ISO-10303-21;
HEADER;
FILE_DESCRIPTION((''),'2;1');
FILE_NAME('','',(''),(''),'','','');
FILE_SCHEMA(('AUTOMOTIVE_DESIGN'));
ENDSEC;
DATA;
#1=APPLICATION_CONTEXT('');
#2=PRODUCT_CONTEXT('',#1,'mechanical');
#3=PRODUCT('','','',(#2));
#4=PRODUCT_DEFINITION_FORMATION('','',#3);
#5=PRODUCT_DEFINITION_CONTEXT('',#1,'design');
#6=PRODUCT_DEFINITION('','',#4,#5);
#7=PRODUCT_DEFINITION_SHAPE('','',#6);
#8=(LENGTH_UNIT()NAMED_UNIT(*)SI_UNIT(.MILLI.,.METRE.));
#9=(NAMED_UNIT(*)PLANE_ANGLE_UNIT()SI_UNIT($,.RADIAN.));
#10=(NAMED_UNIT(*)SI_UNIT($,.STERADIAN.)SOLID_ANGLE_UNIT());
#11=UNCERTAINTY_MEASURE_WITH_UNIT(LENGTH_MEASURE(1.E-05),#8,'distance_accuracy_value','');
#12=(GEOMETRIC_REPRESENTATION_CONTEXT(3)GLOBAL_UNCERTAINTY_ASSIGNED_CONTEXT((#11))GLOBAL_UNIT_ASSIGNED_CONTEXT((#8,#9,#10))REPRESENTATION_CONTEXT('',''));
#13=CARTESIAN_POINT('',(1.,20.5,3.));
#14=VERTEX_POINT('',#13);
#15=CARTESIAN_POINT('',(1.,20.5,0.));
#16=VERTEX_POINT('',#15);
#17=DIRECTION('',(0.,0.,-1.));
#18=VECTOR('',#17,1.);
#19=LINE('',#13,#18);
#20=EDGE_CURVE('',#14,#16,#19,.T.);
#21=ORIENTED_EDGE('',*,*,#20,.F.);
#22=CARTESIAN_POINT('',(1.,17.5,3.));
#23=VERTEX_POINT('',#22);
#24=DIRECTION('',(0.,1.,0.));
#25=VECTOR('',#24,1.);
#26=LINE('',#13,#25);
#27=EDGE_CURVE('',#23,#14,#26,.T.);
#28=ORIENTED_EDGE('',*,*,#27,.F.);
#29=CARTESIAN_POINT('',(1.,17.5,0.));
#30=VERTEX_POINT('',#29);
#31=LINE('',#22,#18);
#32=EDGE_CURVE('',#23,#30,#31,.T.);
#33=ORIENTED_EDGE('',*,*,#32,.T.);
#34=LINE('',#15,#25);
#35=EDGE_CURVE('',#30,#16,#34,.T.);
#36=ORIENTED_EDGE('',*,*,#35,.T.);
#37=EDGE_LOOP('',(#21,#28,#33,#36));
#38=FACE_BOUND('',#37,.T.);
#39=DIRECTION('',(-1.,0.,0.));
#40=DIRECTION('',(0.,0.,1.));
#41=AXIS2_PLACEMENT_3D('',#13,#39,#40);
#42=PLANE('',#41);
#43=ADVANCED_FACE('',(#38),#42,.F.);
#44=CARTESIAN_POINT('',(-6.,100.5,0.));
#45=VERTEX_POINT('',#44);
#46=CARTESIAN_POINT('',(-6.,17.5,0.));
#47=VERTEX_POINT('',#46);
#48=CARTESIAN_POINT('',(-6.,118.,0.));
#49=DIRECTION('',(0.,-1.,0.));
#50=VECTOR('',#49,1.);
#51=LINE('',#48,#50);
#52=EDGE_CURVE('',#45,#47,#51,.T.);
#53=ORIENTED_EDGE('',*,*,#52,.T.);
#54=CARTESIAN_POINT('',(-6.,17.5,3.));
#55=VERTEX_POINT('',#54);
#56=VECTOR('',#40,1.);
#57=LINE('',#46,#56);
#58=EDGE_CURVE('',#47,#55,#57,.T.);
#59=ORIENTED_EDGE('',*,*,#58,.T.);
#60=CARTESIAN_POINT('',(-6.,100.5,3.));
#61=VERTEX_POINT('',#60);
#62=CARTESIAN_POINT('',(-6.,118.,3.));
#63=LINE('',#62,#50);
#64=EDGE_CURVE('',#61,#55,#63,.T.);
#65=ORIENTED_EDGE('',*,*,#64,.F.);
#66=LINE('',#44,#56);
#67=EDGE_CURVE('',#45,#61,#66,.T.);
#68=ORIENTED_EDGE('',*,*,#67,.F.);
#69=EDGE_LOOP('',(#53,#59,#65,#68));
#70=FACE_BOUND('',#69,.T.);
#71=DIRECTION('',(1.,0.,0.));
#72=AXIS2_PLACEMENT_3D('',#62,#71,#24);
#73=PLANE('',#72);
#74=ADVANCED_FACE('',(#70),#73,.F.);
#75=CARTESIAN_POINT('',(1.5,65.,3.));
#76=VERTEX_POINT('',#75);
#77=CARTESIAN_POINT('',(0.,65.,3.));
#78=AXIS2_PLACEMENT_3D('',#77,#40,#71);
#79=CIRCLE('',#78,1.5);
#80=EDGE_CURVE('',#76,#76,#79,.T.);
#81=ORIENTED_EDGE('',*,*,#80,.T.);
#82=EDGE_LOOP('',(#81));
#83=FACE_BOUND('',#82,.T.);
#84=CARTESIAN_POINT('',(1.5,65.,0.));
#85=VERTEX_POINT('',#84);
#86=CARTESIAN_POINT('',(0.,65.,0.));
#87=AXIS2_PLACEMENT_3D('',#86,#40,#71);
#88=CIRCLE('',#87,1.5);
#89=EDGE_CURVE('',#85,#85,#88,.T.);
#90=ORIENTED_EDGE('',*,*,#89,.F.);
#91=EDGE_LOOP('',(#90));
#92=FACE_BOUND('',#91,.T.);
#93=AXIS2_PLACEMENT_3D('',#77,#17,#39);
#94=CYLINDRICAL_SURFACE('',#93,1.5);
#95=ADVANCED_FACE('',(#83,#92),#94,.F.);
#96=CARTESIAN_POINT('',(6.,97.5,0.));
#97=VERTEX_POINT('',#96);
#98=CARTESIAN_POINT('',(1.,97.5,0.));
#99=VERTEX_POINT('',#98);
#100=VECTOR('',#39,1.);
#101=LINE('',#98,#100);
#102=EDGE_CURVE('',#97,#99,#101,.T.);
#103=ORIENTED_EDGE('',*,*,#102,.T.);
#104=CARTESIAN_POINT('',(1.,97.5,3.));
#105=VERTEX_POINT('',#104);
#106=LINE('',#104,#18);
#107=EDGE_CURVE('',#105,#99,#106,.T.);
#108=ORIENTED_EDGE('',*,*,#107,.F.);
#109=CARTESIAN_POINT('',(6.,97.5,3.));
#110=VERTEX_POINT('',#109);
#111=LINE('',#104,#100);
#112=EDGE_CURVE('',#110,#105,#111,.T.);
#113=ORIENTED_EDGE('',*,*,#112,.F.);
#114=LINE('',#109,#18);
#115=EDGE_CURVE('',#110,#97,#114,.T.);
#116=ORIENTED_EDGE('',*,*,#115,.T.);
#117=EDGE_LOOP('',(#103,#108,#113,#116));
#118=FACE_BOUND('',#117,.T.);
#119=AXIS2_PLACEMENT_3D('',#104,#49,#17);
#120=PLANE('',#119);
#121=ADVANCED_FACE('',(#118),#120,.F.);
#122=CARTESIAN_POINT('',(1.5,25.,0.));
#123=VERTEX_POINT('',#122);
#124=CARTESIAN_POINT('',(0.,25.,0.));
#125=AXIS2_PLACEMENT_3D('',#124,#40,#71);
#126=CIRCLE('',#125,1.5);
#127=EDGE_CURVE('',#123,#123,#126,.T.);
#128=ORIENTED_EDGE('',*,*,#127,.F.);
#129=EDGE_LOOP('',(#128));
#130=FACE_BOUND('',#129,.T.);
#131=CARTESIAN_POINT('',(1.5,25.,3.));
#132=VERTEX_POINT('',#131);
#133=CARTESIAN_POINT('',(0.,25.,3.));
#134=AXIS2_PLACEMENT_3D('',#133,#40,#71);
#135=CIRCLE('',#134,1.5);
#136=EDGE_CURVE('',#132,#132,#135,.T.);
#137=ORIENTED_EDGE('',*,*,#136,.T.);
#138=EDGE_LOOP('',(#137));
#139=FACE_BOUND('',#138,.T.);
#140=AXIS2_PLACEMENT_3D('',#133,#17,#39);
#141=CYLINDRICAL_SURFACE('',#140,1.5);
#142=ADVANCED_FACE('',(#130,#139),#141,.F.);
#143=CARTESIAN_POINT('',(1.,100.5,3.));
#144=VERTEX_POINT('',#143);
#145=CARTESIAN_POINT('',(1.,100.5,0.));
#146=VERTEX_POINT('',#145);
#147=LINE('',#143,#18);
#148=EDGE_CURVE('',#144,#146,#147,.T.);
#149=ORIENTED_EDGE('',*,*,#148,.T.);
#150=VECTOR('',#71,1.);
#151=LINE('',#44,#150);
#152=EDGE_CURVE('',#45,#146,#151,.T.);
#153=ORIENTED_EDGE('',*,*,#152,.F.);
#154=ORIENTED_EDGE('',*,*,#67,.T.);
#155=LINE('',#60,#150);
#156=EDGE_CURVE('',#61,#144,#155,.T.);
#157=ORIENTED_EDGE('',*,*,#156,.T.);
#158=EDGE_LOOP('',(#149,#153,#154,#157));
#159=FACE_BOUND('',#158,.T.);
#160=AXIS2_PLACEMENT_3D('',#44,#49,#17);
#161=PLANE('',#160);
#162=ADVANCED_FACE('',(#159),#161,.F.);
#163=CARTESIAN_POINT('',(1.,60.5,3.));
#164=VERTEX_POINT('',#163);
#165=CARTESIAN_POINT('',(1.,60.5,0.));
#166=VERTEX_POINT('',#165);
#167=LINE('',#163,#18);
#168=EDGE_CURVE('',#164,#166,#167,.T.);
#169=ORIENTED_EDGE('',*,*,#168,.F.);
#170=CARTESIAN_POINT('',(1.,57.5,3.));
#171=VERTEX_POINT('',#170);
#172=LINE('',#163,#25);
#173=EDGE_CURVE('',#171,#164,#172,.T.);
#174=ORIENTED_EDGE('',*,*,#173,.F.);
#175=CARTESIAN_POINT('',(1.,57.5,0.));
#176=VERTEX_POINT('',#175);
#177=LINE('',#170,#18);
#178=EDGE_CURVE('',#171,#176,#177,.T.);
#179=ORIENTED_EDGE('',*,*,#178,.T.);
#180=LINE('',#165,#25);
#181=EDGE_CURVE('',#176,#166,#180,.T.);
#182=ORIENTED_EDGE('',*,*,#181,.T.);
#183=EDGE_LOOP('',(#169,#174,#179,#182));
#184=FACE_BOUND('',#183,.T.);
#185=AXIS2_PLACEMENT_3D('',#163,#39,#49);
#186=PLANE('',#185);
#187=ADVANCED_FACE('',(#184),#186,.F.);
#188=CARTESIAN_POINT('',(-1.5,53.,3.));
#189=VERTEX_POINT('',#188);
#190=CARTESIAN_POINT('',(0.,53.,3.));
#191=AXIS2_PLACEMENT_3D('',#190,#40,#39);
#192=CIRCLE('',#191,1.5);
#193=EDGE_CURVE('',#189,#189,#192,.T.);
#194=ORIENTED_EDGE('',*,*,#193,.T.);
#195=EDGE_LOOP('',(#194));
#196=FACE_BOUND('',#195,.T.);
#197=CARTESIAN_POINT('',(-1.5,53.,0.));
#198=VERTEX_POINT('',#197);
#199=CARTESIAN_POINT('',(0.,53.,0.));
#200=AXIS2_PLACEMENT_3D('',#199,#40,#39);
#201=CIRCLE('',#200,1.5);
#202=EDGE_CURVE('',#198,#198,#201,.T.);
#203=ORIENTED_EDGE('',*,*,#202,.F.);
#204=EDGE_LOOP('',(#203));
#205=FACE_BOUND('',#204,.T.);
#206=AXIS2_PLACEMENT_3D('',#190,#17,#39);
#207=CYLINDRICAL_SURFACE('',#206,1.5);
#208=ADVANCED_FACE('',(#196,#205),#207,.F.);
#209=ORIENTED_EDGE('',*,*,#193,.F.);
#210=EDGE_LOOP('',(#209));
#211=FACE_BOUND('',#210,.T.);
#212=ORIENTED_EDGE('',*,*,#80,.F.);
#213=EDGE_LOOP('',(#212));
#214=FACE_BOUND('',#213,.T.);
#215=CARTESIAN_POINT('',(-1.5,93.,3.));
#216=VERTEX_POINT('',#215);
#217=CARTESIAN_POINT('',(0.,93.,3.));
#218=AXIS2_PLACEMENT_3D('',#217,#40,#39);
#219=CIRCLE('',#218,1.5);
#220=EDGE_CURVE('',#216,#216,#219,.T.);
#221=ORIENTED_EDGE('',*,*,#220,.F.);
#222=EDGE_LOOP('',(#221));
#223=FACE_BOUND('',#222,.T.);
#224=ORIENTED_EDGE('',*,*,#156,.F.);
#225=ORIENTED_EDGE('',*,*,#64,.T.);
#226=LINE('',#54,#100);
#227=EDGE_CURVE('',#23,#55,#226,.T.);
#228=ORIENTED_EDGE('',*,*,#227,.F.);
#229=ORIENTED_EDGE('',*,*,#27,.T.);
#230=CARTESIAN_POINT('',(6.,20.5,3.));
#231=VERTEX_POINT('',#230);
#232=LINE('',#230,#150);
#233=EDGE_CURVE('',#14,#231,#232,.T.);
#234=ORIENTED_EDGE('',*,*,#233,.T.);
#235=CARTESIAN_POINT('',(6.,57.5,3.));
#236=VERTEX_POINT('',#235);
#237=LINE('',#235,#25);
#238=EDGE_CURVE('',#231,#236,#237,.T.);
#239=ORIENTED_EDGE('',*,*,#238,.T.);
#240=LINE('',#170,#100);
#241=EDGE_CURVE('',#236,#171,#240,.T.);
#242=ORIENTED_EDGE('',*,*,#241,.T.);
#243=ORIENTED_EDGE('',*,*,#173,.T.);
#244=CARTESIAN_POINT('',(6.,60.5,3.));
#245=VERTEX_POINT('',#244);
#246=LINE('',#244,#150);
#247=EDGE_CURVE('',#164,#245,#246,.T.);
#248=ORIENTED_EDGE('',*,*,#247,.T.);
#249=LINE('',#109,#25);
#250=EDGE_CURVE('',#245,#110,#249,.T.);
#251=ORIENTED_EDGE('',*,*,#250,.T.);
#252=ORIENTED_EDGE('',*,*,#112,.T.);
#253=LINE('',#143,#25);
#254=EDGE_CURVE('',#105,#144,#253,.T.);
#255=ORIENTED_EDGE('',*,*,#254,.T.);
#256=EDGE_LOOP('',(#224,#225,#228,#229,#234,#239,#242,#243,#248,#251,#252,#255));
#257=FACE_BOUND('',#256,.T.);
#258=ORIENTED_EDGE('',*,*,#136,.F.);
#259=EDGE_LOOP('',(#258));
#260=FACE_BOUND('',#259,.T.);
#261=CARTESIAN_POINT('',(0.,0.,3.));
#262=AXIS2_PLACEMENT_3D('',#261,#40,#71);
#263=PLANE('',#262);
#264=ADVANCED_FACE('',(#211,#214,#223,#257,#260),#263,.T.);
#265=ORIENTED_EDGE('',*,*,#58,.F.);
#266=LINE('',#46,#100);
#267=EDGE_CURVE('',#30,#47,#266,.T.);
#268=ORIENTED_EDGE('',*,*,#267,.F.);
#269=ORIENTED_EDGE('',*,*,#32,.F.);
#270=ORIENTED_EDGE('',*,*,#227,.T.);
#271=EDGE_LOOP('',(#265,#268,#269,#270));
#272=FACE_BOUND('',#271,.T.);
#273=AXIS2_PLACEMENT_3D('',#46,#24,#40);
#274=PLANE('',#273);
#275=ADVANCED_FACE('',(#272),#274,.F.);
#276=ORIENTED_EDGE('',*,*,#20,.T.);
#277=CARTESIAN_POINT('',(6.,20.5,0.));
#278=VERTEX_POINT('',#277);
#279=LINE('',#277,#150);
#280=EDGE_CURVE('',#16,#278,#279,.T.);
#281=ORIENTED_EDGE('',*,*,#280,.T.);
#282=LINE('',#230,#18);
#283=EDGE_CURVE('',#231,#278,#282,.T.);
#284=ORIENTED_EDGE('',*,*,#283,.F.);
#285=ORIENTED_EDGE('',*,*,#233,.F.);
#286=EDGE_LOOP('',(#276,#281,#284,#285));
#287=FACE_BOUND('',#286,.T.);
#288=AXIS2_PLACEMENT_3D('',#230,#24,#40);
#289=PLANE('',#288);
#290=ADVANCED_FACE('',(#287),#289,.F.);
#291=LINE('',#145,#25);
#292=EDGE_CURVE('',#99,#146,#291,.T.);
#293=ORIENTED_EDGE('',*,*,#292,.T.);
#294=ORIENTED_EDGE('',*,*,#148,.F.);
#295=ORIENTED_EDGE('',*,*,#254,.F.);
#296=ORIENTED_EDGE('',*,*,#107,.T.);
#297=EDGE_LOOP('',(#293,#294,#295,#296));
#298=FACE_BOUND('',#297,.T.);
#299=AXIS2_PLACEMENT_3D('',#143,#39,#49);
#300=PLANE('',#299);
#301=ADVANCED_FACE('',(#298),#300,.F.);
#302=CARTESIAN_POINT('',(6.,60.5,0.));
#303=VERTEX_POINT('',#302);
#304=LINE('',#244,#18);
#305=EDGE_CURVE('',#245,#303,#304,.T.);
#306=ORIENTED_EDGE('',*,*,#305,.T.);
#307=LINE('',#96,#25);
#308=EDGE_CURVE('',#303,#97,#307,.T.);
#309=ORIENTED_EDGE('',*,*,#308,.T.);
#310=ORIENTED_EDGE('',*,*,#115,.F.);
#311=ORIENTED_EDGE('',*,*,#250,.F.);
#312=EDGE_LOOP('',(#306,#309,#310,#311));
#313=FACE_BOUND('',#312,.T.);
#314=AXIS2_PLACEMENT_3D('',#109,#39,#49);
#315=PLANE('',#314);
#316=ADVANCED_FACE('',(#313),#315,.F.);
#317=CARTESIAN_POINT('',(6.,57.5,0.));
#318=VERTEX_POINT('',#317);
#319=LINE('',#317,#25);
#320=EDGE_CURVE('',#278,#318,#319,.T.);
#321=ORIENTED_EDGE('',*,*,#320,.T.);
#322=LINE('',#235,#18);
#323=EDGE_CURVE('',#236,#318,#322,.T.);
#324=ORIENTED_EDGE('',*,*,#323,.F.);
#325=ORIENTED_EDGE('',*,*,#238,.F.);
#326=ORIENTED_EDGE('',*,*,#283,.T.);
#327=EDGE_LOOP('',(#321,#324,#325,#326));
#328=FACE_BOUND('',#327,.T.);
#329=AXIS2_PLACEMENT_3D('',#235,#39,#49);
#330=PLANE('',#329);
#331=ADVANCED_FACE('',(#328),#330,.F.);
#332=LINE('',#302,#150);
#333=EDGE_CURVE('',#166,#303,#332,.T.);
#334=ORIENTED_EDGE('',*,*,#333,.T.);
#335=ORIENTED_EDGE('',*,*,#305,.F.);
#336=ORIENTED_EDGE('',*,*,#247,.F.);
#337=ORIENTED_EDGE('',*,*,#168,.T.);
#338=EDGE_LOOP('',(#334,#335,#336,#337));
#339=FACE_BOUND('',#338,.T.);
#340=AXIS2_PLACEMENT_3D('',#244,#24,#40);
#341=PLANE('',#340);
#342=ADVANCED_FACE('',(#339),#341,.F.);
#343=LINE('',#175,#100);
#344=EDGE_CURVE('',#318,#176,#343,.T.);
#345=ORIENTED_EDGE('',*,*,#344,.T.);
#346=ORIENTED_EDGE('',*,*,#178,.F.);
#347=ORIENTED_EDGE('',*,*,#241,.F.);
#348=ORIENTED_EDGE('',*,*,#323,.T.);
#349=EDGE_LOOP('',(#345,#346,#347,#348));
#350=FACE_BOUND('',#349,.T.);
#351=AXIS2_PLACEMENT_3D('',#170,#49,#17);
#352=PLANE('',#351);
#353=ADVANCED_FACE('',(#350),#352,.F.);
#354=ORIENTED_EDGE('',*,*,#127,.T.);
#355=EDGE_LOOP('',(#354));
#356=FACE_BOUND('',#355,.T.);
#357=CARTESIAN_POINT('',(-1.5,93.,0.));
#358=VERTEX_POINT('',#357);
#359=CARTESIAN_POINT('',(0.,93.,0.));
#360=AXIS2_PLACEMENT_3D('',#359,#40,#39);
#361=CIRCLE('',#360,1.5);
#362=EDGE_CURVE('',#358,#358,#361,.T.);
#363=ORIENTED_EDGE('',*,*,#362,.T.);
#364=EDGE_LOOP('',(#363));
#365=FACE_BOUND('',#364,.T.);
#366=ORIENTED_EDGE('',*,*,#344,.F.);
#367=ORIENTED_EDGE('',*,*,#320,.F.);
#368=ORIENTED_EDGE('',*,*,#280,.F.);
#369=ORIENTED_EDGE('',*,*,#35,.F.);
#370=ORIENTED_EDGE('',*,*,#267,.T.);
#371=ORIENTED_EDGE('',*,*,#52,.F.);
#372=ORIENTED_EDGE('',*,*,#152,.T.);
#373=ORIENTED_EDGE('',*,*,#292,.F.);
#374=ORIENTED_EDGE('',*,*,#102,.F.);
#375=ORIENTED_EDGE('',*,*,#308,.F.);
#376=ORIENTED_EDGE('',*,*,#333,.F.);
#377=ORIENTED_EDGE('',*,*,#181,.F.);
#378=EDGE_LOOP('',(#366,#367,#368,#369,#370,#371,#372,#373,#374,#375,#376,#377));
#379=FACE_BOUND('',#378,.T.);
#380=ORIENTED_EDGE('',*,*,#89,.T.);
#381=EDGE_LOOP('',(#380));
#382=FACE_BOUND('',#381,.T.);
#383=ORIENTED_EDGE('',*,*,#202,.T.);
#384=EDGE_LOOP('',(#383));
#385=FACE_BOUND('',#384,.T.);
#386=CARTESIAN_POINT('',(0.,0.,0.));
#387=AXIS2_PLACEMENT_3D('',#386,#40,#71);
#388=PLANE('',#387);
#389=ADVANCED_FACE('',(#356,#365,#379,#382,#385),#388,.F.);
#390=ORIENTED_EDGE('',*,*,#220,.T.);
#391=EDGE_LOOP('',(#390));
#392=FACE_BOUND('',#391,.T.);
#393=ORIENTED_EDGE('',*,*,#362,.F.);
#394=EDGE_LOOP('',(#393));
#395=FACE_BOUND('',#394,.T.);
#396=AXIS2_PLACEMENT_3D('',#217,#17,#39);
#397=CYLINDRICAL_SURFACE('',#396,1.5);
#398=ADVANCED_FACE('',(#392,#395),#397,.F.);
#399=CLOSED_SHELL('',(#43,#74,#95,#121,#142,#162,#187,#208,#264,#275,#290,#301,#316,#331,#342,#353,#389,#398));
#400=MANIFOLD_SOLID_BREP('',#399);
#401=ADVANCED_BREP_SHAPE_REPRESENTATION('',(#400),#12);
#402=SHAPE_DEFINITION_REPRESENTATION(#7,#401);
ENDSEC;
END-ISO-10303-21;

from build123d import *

# Parameters (mm, degrees)
ESQUISSE1_R             = 1.5
BOSS_EXTRU_1_DEPTH      = 3
ESQUISSE2_W             = 12
ESQUISSE2_H             = 17.5
ENL_V_MAT_EXTRU_1_DEPTH = 119.190524155


with BuildPart() as part:
    # Esquisse1 → Boss.-Extru.1 (new body)
    with BuildSketch(Plane.XY):
        Polygon((-6, 0), (6, 0), (6, 17.5), (1, 17.5), (1, 20.5), (6, 20.5), (6, 57.5), (1, 57.5), (1, 60.5), (6, 60.5), (6, 97.5), (1, 97.5), (1, 100.5), (6, 100.5), (6, 118), (-6, 118), align=None)
        with Locations((0, 105)):
            Circle(ESQUISSE1_R, mode=Mode.SUBTRACT)
        with Locations(Location((0, 93, 0), (0, 0, 180))):
            Circle(ESQUISSE1_R, mode=Mode.SUBTRACT)
        with Locations((0, 65)):
            Circle(ESQUISSE1_R, mode=Mode.SUBTRACT)
        with Locations(Location((0, 53, 0), (0, 0, 180))):
            Circle(ESQUISSE1_R, mode=Mode.SUBTRACT)
        with Locations((0, 25)):
            Circle(ESQUISSE1_R, mode=Mode.SUBTRACT)
        with Locations(Location((0, 13, 0), (0, 0, 180))):
            Circle(ESQUISSE1_R, mode=Mode.SUBTRACT)
    extrude(amount=BOSS_EXTRU_1_DEPTH)

    # Esquisse2 → Enlèv. mat.-Extru.1 (cut, through all)
    with BuildSketch(Plane.XY.offset(3)):
        with Locations((0, 109.25)):
            Rectangle(ESQUISSE2_W, ESQUISSE2_H)
        with Locations((0, 8.75)):
            Rectangle(ESQUISSE2_W, ESQUISSE2_H)
    extrude(amount=-ENL_V_MAT_EXTRU_1_DEPTH, mode=Mode.SUBTRACT)


solid = part.part
